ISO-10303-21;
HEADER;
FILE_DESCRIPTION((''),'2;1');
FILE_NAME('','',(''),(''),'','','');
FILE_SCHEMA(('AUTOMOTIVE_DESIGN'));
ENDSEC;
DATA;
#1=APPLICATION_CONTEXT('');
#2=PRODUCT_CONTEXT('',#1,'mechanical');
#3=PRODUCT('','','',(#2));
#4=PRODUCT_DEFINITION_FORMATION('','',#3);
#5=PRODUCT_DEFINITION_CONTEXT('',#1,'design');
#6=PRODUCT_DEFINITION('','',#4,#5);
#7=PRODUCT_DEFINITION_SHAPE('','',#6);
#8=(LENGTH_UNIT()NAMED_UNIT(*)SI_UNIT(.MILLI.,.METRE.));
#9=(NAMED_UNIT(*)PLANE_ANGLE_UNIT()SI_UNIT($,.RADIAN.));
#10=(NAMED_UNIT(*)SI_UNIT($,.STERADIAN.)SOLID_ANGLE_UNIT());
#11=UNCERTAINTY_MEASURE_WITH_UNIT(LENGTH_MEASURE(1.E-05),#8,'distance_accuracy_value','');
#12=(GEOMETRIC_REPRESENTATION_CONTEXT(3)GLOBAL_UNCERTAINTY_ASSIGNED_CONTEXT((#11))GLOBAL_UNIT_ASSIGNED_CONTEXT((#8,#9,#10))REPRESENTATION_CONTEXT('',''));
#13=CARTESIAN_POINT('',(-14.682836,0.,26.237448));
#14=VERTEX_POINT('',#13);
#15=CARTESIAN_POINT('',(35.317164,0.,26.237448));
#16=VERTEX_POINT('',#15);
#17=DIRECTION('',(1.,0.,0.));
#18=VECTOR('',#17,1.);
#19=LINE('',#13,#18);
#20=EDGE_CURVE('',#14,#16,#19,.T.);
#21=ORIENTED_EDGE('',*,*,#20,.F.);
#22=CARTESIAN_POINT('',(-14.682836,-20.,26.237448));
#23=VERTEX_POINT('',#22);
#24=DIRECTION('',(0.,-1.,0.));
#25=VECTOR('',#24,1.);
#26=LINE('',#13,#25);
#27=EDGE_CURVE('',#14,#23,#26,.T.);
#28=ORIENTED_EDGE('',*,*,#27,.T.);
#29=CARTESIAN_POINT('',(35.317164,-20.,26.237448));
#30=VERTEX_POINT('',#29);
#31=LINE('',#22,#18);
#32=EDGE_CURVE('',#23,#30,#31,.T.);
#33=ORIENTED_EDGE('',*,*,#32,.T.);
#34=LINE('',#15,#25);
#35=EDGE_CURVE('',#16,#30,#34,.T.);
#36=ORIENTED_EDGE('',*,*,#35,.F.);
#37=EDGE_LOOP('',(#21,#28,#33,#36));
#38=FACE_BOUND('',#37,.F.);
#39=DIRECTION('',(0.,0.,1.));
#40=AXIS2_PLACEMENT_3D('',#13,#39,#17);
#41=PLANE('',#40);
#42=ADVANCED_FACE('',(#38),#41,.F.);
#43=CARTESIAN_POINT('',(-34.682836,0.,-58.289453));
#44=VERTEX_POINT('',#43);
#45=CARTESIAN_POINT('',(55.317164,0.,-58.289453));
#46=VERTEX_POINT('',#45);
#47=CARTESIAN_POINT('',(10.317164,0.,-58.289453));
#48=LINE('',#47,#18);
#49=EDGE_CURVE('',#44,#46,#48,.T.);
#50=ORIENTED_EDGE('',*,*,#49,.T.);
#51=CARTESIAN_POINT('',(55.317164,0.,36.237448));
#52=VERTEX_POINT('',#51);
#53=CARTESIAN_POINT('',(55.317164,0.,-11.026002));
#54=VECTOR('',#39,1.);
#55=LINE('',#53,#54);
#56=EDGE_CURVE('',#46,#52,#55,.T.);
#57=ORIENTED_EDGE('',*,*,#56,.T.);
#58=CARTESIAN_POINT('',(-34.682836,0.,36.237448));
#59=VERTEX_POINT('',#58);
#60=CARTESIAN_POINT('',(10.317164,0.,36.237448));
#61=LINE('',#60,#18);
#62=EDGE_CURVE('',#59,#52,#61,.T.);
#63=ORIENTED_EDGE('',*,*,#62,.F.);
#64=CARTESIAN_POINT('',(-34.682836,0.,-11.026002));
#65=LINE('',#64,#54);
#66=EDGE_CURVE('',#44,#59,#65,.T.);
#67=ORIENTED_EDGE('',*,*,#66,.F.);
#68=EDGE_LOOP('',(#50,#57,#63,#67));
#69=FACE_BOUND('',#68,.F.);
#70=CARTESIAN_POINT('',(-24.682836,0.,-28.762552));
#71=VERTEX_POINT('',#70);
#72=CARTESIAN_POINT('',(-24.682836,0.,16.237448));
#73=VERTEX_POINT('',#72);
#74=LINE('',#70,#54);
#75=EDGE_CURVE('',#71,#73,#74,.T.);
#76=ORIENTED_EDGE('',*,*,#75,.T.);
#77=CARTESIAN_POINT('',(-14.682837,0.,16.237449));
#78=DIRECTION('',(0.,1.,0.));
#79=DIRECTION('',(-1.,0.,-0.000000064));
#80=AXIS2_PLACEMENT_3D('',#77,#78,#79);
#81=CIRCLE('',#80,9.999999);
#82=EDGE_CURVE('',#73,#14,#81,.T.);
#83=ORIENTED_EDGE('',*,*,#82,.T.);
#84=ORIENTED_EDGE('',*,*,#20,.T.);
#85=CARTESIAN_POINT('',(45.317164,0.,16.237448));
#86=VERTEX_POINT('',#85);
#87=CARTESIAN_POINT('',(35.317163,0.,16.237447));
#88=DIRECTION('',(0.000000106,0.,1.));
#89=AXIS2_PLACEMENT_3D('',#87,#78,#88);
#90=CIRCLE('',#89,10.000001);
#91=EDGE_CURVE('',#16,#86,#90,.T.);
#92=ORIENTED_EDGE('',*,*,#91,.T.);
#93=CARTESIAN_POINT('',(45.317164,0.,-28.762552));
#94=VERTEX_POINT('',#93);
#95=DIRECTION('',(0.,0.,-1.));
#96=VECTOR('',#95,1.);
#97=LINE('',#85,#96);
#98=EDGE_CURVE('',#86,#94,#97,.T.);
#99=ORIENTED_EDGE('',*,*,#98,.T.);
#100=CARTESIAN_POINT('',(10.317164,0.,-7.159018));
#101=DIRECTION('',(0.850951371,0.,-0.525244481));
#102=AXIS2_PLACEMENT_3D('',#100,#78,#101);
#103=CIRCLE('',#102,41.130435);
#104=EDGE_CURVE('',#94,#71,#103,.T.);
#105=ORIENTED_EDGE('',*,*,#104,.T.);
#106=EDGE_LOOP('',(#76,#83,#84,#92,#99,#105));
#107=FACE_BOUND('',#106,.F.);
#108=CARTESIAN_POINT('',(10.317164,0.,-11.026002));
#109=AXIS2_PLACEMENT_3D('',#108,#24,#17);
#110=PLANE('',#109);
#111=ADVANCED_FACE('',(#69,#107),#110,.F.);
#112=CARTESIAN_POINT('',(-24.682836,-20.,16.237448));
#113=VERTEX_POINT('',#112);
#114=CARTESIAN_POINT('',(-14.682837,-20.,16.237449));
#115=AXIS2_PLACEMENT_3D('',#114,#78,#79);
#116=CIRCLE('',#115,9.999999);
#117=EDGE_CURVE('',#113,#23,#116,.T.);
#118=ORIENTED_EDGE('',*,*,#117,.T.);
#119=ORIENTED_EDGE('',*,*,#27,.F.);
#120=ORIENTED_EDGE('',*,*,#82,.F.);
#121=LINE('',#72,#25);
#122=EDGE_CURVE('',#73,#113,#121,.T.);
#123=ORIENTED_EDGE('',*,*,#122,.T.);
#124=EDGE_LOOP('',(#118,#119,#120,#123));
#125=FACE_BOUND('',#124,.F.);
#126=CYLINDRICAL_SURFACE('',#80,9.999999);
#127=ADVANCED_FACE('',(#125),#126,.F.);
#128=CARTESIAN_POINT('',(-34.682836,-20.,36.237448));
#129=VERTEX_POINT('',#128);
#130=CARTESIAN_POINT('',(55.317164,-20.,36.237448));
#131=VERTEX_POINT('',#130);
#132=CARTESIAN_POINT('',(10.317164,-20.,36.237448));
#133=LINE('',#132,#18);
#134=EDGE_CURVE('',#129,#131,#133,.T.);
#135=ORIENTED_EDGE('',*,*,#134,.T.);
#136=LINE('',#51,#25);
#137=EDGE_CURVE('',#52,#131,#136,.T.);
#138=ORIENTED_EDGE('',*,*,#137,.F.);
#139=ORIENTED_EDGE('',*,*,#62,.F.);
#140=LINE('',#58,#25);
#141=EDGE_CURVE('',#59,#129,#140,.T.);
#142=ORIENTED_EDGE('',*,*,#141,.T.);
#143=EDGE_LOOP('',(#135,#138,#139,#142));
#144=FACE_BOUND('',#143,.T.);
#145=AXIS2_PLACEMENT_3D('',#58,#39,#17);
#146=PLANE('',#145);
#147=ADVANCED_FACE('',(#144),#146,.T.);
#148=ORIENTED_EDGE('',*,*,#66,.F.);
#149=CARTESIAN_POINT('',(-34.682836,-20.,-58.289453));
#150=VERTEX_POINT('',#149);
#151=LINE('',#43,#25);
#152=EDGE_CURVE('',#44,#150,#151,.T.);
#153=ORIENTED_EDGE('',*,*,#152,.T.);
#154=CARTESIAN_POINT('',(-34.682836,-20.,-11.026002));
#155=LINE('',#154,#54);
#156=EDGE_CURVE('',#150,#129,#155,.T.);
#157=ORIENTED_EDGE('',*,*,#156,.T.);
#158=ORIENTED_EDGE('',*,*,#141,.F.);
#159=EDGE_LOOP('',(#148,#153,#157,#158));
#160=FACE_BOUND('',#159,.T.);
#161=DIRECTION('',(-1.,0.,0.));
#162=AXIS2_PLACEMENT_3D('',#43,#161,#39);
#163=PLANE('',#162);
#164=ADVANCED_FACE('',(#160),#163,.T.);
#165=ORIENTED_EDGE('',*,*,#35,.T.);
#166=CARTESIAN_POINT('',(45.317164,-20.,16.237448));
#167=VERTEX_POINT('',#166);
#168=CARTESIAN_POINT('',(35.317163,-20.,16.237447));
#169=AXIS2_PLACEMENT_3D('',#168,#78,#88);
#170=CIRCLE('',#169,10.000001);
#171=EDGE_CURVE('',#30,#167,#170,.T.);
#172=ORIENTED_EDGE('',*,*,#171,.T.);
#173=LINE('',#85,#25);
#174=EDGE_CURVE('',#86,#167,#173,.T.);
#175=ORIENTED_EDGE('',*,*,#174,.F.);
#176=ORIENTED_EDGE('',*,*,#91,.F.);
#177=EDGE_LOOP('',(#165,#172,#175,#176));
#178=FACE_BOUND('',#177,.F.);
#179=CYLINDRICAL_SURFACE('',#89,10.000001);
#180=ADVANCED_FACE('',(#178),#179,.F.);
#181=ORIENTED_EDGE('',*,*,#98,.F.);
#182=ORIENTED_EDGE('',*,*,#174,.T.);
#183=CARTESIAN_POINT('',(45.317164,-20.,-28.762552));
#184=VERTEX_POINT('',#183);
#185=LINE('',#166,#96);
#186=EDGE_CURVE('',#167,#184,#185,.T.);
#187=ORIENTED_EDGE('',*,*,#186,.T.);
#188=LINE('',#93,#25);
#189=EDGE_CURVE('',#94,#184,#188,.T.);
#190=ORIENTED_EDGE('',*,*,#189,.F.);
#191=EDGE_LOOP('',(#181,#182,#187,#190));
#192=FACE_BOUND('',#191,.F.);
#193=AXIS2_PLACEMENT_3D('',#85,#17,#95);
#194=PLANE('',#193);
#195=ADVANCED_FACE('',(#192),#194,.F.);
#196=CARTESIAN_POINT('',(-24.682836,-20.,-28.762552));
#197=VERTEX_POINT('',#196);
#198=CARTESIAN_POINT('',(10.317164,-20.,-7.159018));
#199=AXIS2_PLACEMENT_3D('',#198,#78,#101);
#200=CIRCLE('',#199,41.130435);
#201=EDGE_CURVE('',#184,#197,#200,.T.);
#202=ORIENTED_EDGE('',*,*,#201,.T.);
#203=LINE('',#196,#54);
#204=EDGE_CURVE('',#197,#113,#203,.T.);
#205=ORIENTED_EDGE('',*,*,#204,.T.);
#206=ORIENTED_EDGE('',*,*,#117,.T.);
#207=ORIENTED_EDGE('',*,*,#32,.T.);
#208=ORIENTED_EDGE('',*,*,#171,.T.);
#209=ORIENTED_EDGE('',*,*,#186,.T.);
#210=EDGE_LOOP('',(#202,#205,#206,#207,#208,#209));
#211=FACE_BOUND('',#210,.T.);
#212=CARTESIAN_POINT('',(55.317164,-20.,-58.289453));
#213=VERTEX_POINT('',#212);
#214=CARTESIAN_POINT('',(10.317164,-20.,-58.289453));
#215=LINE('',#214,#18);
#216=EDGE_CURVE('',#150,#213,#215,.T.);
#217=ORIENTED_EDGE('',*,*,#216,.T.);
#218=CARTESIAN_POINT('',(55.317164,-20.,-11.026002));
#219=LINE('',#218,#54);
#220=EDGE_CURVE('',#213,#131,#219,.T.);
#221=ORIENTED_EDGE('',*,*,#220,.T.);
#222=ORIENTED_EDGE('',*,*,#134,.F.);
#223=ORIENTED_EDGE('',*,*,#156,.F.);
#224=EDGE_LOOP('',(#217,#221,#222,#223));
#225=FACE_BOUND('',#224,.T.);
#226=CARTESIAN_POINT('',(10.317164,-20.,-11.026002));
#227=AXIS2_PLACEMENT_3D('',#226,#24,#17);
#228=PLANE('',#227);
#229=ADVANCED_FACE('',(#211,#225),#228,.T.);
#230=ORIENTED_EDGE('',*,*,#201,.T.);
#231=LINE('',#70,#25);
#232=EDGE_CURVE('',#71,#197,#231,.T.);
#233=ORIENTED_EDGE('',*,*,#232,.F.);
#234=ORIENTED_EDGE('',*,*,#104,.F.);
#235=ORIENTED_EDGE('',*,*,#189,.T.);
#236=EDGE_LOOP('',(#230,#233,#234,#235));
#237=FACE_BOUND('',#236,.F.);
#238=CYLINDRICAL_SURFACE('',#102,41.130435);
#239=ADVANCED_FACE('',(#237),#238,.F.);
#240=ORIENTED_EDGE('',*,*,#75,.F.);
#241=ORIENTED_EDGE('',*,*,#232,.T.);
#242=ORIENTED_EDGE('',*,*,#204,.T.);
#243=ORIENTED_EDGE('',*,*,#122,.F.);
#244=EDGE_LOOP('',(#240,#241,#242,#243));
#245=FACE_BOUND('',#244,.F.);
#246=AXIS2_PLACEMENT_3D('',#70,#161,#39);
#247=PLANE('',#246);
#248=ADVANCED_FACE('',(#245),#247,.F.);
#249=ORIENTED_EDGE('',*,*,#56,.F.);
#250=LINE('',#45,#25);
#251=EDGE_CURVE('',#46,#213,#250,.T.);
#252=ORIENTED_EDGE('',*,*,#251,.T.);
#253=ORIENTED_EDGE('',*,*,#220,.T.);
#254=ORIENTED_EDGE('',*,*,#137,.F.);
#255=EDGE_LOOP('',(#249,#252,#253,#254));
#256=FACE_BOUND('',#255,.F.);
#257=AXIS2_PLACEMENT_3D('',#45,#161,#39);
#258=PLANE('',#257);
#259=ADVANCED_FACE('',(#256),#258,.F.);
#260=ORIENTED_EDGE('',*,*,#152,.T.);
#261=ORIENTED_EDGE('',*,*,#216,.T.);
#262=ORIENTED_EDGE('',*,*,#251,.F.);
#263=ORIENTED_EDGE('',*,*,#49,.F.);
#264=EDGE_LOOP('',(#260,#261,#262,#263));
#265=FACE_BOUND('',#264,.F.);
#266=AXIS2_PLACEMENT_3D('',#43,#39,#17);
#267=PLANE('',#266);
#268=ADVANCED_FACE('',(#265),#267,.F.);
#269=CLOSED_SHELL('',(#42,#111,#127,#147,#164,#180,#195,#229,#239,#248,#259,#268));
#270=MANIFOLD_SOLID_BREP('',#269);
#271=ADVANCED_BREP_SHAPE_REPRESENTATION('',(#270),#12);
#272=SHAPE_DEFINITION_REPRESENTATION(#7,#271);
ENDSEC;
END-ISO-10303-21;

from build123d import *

# Parameters (mm, degrees)
F0_W     = 90
F0_H     = 94.526901
F1_DEPTH = 20


with BuildPart() as f1:
    # F0 (on Front) → F1 (new body)
    with BuildSketch(Plane.XZ):
        with Locations((10.317164, -11.026002)):
            Rectangle(F0_W, F0_H)
        with BuildLine():
            ThreePointArc((-24.682836, 16.237448), (-21.753904, 23.308516), (-14.682836, 26.237448))
            Line((-14.682836, 26.237448), (35.317164, 26.237448))
            ThreePointArc((35.317164, 26.237448), (42.388231, 23.308516), (45.317164, 16.237448))
            Line((45.317164, 16.237448), (45.317164, -28.762552))
            ThreePointArc((45.317164, -28.762552), (10.317164, -48.289453), (-24.682836, -28.762552))
            Line((-24.682836, -28.762552), (-24.682836, 16.237448))
        make_face(mode=Mode.SUBTRACT)
    extrude(amount=F1_DEPTH)


solid = f1.part
